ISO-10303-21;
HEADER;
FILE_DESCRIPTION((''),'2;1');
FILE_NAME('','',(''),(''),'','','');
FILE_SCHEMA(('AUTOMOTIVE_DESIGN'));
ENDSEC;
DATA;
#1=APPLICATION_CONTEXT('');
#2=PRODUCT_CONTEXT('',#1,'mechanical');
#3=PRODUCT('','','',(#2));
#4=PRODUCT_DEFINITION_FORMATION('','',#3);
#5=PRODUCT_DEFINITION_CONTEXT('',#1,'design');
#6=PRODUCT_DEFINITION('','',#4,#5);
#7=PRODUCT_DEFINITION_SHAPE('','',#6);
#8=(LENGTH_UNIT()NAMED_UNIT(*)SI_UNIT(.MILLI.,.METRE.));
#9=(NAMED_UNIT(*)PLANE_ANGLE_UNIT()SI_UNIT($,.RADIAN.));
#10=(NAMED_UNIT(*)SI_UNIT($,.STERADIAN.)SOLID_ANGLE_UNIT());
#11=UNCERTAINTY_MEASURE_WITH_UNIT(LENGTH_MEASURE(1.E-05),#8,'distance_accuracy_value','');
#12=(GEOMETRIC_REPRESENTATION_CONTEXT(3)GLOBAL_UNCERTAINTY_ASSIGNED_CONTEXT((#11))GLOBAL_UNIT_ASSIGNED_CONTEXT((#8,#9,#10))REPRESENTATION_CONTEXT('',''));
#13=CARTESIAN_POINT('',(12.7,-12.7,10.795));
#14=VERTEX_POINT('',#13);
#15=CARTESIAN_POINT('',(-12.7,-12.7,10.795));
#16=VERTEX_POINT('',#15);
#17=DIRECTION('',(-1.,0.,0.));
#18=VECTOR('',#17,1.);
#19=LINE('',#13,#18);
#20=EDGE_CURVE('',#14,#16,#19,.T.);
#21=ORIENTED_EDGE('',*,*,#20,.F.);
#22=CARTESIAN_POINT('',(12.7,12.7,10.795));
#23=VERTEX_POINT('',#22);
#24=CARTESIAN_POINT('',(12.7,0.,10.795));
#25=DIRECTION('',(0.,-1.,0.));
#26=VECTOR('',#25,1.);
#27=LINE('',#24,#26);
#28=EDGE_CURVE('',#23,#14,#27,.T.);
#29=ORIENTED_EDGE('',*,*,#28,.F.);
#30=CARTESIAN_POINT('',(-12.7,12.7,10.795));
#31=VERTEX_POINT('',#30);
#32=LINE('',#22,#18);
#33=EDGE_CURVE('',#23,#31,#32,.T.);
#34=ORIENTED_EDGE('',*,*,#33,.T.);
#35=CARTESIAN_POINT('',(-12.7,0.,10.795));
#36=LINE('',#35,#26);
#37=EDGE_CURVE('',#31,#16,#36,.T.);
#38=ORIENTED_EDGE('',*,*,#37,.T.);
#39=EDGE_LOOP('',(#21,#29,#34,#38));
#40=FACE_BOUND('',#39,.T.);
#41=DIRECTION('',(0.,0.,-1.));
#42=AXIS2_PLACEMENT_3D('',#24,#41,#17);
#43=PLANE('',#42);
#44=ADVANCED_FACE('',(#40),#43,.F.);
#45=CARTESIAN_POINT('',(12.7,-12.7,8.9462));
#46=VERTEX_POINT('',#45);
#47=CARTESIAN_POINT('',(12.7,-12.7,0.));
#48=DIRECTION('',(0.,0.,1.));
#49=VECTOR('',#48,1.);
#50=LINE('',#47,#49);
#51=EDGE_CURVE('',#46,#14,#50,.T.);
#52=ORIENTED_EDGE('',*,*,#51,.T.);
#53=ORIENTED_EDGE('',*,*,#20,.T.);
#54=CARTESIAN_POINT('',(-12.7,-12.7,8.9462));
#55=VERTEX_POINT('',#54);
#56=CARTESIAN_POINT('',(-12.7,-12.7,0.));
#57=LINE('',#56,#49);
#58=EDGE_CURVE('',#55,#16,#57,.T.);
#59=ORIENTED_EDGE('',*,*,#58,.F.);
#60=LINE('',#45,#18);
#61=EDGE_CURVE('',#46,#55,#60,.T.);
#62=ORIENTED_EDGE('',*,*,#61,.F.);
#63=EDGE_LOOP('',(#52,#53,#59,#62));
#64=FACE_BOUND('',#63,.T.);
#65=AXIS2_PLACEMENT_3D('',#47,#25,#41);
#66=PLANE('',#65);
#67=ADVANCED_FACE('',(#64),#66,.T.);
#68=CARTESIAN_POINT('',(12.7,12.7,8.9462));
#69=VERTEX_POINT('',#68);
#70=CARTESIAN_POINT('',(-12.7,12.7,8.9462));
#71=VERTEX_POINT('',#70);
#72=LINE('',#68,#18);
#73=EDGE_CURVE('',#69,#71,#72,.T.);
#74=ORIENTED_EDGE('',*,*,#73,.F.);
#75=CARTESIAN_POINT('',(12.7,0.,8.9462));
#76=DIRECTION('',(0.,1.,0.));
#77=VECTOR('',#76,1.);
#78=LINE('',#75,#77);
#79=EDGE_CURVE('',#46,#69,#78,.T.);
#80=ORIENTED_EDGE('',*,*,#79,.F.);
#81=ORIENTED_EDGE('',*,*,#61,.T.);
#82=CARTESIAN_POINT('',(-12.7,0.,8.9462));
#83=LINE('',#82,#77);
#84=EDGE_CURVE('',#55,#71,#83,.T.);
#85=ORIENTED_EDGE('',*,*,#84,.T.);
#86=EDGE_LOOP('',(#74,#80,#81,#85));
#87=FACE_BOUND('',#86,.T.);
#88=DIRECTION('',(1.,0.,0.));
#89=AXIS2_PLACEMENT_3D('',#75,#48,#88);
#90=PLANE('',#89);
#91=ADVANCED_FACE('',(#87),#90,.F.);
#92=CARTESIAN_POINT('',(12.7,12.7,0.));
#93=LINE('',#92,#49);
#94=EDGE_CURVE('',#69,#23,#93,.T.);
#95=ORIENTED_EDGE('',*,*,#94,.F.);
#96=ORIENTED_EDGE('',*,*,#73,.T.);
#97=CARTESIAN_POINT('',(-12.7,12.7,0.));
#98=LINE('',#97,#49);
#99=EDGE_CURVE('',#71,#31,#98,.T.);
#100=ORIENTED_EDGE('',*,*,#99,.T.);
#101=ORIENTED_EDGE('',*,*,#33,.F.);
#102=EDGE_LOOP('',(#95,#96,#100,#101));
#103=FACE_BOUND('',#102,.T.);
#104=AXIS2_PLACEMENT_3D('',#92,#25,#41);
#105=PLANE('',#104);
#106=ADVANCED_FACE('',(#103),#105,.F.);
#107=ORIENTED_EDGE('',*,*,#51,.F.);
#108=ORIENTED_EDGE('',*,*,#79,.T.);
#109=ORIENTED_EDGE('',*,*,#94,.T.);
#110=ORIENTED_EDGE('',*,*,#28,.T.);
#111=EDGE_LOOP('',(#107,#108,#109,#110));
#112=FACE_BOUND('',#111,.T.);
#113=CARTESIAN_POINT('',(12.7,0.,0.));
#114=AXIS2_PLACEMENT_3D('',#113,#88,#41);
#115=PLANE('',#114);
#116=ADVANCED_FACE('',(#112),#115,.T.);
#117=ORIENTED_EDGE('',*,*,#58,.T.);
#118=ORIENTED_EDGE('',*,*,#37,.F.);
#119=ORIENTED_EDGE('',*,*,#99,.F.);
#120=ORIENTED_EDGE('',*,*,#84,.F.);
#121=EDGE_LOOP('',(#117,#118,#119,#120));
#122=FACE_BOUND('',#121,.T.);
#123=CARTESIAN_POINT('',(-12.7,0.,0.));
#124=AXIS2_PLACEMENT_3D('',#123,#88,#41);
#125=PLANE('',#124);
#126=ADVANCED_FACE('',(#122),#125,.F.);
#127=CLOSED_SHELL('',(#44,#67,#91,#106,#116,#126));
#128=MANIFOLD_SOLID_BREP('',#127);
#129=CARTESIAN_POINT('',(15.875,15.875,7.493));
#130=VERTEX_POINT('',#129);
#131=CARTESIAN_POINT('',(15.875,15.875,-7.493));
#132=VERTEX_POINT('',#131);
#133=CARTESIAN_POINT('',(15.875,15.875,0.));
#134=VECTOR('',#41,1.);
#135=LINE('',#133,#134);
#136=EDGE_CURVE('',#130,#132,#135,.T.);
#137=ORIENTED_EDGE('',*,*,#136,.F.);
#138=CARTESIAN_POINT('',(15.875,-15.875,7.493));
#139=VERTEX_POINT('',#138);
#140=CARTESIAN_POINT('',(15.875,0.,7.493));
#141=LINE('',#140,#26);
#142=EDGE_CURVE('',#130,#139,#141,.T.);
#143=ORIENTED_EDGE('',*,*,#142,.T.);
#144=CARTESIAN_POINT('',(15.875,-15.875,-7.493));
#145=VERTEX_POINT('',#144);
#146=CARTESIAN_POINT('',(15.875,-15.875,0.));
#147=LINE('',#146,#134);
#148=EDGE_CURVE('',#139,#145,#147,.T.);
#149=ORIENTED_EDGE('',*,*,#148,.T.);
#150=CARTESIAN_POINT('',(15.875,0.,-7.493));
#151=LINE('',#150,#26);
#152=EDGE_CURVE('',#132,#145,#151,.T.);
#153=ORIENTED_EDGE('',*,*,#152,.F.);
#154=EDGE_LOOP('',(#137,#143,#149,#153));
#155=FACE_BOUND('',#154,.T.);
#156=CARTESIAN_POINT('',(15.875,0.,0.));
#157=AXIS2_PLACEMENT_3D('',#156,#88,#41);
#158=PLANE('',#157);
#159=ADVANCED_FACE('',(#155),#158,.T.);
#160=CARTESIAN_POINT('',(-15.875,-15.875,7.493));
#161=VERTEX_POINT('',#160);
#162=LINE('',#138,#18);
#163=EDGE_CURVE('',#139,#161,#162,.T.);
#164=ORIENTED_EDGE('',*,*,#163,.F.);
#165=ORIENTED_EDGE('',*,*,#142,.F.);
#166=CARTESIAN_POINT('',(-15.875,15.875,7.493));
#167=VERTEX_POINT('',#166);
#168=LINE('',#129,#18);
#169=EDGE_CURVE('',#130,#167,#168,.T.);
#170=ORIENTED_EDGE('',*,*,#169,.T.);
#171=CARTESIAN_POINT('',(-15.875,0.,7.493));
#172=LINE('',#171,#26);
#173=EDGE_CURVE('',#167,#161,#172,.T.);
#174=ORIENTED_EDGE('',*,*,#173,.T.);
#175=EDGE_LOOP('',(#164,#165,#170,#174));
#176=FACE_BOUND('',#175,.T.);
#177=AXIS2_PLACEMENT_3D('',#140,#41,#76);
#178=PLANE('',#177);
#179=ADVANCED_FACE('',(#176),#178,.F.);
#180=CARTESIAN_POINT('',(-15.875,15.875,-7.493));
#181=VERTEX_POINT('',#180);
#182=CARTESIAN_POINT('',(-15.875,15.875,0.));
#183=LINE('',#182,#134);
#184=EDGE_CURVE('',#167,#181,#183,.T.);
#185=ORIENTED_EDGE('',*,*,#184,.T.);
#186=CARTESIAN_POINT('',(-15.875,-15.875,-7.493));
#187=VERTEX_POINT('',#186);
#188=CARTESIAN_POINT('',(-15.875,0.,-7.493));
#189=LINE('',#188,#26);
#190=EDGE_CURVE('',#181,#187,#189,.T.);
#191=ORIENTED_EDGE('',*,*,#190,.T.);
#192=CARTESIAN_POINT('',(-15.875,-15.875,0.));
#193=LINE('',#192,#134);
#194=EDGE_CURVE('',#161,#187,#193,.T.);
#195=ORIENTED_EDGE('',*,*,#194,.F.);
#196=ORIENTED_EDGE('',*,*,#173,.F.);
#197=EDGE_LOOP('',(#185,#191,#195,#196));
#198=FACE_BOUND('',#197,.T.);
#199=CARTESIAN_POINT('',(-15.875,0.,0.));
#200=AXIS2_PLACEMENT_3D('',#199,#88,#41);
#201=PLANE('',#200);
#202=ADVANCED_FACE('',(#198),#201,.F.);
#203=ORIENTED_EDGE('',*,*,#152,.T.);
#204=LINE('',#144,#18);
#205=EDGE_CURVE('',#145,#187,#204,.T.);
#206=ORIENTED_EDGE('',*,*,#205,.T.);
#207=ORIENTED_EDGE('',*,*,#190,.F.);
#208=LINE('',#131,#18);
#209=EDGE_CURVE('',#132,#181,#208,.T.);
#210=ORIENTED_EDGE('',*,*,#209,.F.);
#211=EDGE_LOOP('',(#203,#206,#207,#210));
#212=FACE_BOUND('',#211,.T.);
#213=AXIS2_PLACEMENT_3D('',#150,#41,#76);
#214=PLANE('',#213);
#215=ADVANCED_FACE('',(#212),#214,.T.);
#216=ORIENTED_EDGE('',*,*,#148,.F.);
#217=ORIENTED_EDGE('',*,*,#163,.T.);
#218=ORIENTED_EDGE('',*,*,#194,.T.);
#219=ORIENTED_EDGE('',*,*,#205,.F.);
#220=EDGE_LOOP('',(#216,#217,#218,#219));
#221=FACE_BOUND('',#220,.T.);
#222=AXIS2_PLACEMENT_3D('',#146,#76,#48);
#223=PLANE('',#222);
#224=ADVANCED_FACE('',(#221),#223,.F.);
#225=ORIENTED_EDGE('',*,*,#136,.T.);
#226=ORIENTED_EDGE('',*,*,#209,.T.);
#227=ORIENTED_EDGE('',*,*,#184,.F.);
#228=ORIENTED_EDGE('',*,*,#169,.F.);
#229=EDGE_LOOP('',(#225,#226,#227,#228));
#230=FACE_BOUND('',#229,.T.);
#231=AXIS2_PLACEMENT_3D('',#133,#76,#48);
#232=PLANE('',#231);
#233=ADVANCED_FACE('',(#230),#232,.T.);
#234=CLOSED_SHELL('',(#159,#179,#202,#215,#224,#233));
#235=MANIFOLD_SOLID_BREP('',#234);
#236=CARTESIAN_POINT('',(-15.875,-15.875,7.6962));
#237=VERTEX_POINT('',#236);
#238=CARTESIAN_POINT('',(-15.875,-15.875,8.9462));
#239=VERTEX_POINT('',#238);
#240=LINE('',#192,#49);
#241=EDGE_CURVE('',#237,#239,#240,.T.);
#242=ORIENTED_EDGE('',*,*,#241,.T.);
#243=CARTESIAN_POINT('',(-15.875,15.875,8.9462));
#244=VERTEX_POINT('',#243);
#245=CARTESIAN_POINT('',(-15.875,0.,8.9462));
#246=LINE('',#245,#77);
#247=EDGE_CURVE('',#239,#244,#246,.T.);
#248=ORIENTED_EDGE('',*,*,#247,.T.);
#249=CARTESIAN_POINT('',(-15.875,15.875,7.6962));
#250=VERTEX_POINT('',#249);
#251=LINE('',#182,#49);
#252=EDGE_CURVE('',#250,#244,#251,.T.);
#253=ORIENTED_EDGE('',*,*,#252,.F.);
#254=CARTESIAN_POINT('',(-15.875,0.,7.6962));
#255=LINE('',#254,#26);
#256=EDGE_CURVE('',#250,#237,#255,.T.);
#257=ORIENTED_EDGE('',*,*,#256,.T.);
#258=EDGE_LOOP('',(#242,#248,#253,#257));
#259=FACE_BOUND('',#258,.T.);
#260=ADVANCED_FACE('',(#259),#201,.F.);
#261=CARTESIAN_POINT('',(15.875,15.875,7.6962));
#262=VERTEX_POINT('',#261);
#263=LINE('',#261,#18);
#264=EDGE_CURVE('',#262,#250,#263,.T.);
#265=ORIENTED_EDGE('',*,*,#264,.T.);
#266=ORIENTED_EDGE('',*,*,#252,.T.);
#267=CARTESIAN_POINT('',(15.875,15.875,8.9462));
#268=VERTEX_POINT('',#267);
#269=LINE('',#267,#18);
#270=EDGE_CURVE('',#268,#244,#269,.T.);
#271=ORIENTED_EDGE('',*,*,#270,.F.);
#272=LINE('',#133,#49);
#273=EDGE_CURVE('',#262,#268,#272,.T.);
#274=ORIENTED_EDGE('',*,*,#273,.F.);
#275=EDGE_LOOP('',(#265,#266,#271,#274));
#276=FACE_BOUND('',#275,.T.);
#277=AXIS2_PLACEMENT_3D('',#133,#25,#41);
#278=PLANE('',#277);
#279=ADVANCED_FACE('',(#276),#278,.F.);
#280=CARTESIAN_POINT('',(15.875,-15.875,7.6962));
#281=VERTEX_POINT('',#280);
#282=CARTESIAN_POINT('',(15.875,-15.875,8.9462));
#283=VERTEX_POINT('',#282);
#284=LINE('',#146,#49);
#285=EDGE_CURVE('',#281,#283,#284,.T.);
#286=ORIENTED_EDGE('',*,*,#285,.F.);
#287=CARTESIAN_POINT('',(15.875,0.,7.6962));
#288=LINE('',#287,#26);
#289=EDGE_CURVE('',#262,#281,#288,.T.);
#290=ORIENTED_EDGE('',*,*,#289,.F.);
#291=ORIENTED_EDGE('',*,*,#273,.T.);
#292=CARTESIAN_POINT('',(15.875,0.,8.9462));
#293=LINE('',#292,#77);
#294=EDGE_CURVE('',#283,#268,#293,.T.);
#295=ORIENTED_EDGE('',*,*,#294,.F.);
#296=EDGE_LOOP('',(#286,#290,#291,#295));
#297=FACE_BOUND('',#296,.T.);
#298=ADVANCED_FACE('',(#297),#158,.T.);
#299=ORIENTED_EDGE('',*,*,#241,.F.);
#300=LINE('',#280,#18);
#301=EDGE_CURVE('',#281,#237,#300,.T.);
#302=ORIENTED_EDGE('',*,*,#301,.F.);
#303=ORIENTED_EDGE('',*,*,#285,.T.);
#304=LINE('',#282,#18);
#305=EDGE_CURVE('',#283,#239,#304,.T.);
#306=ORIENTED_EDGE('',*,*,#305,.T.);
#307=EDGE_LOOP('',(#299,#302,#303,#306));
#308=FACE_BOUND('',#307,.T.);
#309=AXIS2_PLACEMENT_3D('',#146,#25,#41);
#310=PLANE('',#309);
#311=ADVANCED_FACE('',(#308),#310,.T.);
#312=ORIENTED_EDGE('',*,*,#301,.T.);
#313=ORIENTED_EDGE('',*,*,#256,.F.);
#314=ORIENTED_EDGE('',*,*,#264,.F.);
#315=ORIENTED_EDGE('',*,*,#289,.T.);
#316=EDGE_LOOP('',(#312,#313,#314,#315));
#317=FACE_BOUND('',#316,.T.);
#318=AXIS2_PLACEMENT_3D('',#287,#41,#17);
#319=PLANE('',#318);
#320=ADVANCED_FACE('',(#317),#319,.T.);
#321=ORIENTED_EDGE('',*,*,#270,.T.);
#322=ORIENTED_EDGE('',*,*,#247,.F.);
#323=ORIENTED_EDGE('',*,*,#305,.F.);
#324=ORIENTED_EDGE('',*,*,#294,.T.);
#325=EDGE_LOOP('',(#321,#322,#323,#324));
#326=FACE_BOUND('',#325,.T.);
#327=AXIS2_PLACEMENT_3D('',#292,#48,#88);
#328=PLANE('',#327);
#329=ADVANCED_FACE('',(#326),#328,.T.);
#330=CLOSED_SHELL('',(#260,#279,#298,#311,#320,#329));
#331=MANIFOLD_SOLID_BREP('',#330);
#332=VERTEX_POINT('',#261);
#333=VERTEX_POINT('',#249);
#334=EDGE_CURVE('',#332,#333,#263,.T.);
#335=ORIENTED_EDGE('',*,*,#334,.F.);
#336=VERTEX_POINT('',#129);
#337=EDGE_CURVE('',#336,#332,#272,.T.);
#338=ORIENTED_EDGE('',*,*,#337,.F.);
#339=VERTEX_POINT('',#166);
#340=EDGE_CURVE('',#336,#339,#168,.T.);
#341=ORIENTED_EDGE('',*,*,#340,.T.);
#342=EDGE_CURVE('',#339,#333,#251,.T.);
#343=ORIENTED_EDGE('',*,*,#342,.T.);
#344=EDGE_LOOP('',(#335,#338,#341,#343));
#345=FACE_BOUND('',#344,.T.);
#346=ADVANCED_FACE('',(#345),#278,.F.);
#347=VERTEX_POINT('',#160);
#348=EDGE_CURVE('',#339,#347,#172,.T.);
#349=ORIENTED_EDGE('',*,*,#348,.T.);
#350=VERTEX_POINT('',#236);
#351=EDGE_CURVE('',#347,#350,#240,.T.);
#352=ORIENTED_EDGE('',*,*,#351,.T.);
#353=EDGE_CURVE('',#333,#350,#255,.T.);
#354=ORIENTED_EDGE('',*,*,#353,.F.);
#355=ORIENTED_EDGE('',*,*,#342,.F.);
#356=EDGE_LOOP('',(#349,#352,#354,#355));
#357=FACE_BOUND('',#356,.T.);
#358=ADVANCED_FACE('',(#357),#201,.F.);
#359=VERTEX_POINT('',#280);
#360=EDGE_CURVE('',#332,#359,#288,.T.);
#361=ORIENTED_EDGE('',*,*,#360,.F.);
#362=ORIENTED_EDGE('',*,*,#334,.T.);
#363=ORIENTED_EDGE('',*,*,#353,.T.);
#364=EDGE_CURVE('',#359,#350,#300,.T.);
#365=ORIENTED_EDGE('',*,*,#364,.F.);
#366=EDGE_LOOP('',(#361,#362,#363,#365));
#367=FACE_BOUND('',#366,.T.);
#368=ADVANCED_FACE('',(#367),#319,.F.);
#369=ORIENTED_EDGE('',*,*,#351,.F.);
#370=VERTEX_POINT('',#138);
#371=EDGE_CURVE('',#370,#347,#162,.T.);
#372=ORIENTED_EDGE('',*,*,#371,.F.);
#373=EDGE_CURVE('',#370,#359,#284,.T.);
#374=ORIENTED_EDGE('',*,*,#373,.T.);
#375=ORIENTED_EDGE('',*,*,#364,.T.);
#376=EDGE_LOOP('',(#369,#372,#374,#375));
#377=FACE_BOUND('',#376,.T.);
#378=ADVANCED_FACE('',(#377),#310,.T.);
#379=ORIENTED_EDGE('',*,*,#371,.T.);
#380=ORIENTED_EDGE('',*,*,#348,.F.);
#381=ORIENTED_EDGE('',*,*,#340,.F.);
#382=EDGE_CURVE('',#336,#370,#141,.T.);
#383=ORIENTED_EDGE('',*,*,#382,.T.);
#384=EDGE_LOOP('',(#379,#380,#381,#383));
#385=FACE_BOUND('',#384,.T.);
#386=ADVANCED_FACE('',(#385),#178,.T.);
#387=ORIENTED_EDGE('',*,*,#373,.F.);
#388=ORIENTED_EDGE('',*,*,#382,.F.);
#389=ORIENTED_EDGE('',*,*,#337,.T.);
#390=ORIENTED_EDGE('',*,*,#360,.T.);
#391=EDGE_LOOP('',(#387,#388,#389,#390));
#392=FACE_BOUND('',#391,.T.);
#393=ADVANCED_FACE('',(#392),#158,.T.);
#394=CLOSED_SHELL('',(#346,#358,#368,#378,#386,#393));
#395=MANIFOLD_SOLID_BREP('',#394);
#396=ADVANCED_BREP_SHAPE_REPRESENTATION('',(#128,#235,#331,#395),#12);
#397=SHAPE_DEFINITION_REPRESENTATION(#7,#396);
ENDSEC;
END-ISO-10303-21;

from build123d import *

# Parameters (mm, degrees)
SKETCH1_W           = 14.986
SKETCH1_H           = 31.75
BOSS_EXTRUDE1_DEPTH = 15.875
BOSS_EXTRUDE2_DEPTH = 15.875
SKETCH1_6_W         = 0.2032
SKETCH1_6_H         = 31.75
BOSS_EXTRUDE4_DEPTH = 15.875
SKETCH1_7_W         = 1.8488
SKETCH1_7_H         = 25.4
BOSS_EXTRUDE5_DEPTH = 12.7


with BuildPart() as part:
    # Sketch1 → Boss-Extrude1 (new, symmetric)
    with BuildSketch(Plane(origin=(0, 0, 0), x_dir=(0, 0, -1), z_dir=(1, 0, 0))):
        Rectangle(SKETCH1_W, SKETCH1_H)
    extrude(amount=BOSS_EXTRUDE1_DEPTH, both=True)


with BuildPart() as body_2:
    # Sketch1<3> → Boss-Extrude2 (new, symmetric)
    with BuildSketch(Plane(origin=(0, 0, 0), x_dir=(0, 0, -1), z_dir=(1, 0, 0))):
        Polygon((-7.6962, -15.875), (-7.6962, 15.875), (-8.9462, 15.875), (-8.9462, 12.7), (-8.9462, -12.7), (-8.9462, -15.875), align=None)
    extrude(amount=BOSS_EXTRUDE2_DEPTH, both=True)


with BuildPart() as body_3:
    # Sketch1<6> → Boss-Extrude4 (new, symmetric)
    with BuildSketch(Plane(origin=(0, 0, 0), x_dir=(0, 0, -1), z_dir=(1, 0, 0))):
        with Locations((-7.5946, 0)):
            Rectangle(SKETCH1_6_W, SKETCH1_6_H)
    extrude(amount=BOSS_EXTRUDE4_DEPTH, both=True)


with BuildPart() as body_4:
    # Sketch1<7> → Boss-Extrude5 (new, symmetric)
    with BuildSketch(Plane(origin=(0, 0, 0), x_dir=(0, 0, -1), z_dir=(1, 0, 0))):
        with Locations((-9.8706, 0)):
            Rectangle(SKETCH1_7_W, SKETCH1_7_H)
    extrude(amount=BOSS_EXTRUDE5_DEPTH, both=True)


solid = Compound([part.part, body_2.part, body_3.part, body_4.part])
